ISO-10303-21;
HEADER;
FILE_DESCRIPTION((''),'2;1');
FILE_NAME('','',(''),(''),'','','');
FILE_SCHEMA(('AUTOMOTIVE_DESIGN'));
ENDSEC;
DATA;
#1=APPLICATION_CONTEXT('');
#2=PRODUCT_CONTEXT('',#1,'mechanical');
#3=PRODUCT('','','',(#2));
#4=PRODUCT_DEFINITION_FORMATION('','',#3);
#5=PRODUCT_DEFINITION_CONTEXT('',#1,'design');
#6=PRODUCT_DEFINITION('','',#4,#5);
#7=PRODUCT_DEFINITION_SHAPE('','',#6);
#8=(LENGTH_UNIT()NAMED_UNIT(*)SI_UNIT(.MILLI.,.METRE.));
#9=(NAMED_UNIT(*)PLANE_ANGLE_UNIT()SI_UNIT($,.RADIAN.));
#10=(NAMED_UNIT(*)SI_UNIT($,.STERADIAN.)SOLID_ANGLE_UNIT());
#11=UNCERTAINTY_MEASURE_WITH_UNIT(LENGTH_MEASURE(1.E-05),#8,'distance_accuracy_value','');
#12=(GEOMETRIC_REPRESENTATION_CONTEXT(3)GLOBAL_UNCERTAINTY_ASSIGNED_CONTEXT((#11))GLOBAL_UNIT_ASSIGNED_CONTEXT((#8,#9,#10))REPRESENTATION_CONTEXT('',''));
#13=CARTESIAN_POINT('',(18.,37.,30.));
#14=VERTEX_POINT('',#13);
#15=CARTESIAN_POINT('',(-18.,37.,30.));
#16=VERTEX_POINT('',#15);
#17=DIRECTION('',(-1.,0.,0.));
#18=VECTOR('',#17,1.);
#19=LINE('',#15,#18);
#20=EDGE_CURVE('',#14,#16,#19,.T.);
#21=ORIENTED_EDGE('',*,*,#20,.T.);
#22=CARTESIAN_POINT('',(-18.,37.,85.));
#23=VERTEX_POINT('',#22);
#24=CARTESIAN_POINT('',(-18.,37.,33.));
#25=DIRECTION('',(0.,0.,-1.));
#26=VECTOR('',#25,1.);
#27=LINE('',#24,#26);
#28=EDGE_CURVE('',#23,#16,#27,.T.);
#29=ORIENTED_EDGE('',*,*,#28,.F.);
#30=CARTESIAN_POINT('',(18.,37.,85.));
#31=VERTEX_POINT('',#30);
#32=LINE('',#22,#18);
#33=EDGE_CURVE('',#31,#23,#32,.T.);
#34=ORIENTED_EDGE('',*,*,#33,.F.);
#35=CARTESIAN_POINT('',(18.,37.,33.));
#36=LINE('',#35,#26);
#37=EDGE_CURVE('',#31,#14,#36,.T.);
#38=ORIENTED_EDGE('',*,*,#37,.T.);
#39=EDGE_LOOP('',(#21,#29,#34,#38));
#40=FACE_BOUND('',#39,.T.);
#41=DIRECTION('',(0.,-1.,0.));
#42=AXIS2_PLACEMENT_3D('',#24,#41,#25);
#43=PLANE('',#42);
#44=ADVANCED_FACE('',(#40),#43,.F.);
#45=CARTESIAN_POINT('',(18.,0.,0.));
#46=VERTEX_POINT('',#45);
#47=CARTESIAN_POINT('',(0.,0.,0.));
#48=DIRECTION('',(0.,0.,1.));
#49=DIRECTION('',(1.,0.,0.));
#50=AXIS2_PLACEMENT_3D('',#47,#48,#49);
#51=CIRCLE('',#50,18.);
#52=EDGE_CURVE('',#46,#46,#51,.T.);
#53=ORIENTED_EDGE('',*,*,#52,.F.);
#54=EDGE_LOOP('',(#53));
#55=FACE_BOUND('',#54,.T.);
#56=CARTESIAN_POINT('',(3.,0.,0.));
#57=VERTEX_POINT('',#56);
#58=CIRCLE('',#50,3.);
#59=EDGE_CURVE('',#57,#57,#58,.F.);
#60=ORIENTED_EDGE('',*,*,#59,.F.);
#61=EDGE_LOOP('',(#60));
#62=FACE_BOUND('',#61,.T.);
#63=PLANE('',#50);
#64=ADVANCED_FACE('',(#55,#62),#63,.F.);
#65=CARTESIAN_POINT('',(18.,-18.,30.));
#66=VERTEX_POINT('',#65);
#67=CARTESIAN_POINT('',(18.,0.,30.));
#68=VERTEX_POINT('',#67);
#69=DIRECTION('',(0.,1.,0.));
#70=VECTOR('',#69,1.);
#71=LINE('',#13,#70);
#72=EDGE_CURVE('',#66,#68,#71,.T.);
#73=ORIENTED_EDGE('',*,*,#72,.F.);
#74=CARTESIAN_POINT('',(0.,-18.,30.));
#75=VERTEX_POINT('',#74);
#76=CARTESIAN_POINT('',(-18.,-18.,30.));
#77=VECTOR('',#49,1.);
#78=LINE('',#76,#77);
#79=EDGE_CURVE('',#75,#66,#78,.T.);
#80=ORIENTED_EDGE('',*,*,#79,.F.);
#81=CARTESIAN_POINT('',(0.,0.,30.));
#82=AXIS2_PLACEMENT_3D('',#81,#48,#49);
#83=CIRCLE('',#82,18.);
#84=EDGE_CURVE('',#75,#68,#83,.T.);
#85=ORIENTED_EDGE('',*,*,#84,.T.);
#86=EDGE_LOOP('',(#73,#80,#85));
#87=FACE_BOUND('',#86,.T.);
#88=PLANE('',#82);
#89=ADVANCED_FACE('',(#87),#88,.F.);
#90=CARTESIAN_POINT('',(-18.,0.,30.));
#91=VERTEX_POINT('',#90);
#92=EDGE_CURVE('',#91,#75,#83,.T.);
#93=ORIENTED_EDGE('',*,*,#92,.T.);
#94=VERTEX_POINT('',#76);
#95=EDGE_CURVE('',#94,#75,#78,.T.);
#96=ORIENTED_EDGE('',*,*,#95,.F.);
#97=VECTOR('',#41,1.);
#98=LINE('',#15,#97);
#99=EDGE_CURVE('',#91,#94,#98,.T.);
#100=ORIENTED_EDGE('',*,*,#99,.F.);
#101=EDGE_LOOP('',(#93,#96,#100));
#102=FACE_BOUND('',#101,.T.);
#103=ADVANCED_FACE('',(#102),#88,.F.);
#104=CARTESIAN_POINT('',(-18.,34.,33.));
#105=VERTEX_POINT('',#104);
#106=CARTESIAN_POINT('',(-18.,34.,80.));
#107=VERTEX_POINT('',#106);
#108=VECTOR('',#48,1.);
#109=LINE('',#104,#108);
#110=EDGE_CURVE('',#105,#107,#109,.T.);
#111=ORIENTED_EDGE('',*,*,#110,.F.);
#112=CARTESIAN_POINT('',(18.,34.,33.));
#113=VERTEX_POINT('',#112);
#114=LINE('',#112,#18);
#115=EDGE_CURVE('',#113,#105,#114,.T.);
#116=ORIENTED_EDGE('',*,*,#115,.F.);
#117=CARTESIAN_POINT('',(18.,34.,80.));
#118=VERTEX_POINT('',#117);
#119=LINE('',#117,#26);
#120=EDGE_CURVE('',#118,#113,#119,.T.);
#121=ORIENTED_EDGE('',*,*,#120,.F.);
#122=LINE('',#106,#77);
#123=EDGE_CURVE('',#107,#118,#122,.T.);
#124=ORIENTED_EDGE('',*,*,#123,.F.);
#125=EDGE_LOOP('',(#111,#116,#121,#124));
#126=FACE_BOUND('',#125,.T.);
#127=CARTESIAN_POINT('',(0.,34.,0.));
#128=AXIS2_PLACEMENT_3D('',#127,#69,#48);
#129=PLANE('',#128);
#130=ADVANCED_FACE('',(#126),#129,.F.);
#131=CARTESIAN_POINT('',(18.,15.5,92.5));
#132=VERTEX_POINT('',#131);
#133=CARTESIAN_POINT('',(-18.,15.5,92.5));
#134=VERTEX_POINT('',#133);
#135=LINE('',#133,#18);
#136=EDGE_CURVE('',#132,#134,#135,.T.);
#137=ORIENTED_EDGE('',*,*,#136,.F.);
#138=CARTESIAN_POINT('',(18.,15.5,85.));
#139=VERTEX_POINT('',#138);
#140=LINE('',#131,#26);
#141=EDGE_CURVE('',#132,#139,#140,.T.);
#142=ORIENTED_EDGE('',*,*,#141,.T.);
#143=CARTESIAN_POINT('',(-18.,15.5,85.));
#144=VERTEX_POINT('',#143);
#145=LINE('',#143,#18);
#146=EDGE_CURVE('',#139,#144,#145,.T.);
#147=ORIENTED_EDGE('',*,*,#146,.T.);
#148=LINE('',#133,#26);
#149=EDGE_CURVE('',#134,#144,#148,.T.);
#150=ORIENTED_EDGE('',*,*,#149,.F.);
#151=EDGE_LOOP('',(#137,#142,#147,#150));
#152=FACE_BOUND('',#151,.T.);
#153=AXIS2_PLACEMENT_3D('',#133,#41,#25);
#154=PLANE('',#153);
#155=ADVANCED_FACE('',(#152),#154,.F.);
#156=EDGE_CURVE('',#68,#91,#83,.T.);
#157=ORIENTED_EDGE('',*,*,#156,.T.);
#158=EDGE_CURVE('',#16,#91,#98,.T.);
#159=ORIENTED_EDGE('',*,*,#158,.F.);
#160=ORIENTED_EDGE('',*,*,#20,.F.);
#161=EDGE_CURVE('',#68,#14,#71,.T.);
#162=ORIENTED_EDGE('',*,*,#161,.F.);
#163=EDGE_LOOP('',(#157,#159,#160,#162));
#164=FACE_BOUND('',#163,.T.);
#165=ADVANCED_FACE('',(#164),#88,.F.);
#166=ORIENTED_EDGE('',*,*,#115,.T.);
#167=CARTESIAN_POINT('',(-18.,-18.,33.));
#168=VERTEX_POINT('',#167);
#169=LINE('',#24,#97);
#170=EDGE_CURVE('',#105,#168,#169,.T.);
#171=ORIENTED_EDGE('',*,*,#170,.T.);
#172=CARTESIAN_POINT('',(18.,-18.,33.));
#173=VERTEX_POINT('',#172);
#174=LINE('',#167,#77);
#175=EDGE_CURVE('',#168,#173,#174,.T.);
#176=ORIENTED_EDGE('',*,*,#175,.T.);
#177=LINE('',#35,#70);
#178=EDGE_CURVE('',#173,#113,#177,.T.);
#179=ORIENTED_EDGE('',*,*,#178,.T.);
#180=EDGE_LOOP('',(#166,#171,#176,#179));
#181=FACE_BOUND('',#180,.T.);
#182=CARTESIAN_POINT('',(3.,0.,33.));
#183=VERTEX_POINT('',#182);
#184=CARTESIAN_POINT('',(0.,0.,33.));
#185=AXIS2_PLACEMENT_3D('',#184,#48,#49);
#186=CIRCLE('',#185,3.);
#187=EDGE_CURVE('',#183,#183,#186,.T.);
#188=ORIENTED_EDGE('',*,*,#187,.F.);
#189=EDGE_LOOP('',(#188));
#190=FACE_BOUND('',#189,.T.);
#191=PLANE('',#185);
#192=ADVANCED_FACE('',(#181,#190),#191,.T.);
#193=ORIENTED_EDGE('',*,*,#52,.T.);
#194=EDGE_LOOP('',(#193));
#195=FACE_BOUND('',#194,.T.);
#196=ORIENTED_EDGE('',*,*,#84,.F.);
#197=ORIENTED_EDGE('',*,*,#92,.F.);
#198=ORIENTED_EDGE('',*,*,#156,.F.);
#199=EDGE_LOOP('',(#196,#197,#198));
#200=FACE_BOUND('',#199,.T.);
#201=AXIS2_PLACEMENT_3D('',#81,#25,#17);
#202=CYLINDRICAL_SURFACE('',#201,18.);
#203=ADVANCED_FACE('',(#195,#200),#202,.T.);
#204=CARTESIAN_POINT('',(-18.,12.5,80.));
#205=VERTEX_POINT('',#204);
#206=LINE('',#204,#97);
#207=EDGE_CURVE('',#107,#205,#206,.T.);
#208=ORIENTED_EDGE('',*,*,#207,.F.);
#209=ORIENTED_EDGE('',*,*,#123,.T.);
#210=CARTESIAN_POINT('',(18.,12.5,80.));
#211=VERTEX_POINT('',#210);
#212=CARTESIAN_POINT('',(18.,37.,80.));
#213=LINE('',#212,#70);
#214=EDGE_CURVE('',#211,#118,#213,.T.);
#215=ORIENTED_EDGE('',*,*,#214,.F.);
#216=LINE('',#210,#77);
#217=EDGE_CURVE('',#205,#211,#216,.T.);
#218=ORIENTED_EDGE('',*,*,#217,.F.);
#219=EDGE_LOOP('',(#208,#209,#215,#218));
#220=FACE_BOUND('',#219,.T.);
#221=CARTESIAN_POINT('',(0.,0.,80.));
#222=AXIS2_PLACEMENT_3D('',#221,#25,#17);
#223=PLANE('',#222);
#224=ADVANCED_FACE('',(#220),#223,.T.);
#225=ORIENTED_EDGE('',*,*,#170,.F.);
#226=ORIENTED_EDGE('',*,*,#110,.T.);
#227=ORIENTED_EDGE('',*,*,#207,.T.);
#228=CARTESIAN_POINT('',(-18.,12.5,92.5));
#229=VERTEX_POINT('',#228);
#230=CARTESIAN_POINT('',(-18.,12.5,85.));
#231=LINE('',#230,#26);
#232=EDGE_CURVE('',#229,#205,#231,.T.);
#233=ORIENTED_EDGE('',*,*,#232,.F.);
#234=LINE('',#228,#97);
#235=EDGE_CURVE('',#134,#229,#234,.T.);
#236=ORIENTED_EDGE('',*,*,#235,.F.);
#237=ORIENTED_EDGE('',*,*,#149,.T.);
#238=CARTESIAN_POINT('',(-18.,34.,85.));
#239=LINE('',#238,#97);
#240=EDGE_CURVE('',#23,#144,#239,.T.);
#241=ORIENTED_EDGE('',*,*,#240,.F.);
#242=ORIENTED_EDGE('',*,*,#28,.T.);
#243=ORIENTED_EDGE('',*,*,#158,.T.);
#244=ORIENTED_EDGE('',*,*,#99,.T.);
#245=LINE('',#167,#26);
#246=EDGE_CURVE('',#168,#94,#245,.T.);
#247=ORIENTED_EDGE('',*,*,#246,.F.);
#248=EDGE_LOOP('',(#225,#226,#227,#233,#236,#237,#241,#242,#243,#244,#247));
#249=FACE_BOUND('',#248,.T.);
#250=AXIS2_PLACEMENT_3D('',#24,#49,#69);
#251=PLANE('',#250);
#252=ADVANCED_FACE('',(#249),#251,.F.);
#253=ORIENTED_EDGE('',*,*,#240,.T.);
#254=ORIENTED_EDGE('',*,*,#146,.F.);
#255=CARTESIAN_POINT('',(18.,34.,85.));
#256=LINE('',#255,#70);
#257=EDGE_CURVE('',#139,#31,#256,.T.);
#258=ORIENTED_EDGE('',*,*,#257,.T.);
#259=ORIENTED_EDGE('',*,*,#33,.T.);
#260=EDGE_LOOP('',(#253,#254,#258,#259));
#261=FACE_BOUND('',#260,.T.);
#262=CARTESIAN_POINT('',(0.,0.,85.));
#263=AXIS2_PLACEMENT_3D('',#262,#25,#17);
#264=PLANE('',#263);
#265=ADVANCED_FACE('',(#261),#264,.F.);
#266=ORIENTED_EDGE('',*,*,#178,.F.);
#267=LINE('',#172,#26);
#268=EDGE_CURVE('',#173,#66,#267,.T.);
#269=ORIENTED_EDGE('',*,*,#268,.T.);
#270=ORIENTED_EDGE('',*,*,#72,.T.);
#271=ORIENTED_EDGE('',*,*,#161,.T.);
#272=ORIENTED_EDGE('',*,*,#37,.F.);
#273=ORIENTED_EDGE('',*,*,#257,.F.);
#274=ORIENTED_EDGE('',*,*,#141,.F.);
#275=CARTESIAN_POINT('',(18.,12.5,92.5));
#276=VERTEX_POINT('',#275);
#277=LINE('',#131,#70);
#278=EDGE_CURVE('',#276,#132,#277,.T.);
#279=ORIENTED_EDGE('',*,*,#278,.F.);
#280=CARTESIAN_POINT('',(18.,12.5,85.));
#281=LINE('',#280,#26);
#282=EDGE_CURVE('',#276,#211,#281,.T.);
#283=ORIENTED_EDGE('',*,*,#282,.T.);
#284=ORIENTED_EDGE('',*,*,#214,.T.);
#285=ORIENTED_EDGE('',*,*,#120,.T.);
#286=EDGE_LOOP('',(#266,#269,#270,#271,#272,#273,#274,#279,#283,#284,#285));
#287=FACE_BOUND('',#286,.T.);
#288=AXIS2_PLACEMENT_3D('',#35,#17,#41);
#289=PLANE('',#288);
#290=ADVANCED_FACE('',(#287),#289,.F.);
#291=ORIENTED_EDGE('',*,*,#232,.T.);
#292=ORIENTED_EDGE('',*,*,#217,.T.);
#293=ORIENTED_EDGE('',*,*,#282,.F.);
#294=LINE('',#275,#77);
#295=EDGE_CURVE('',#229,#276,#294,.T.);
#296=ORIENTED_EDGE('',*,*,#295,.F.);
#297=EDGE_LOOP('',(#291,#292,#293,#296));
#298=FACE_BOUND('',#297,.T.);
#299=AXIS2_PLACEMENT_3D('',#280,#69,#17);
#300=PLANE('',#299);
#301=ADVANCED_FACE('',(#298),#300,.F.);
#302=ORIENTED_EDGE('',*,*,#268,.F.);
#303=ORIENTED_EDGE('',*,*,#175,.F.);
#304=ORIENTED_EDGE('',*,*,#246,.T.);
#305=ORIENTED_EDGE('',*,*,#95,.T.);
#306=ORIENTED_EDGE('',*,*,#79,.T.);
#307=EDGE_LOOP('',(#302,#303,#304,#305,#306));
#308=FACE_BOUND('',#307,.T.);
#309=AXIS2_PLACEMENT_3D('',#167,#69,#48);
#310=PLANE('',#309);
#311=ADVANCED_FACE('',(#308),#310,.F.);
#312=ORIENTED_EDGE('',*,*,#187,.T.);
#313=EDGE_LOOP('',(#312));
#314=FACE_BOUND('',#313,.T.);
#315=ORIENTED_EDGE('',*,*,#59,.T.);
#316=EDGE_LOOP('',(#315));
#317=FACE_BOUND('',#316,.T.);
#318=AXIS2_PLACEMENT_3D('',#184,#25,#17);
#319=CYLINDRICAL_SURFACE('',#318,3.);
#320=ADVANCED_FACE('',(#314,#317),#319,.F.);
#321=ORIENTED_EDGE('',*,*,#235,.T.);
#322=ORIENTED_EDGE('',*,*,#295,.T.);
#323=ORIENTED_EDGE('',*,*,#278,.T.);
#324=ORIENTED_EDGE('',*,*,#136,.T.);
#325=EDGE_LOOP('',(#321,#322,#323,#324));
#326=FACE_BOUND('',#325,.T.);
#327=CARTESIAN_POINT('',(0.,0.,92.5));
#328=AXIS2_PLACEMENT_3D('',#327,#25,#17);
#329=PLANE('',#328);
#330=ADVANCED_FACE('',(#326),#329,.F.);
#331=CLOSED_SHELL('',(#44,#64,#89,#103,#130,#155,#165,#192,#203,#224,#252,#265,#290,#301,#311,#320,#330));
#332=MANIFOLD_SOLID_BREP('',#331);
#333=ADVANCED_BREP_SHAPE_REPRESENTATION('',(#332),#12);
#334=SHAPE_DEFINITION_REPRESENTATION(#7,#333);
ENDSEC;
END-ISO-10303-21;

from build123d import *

# Parameters (mm, degrees)
SKETCH2_R               = 18
BOSS_EXTRUDE1_DEPTH     = 30
SKETCH4_W               = 36
SKETCH4_H               = 55
BOSS_EXTRUDE2_DEPTH     = 3
CUT_EXTRUDE1_DEPTH      = 3
CUT_EXTRUDE1_DEPTH_BACK = 60
SKETCH3_R               = 3
SKETCH6_W               = 36
SKETCH6_H               = 47
BOSS_EXTRUDE3_DEPTH     = 3
BOSS_EXTRUDE4_DEPTH     = 5
SKETCH8_W               = 36
SKETCH8_H               = 3
BOSS_EXTRUDE5_DEPTH     = 7.5


with BuildPart() as part:
    # Sketch2 → Boss-Extrude1 (new body)
    with BuildSketch(Plane.XY):
        Circle(SKETCH2_R)
    extrude(amount=BOSS_EXTRUDE1_DEPTH)

    # Sketch4 → Boss-Extrude2 (add)
    with BuildSketch(Plane.XY.offset(30)):
        with Locations((0, 9.5)):
            Rectangle(SKETCH4_W, SKETCH4_H)
    extrude(amount=BOSS_EXTRUDE2_DEPTH)

    # Sketch3 → Cut-Extrude1 (cut, two sides: drawn at the far end of the back side and taken through both)
    with BuildSketch(Plane.XY.offset(30).offset(-CUT_EXTRUDE1_DEPTH_BACK)):
        Circle(SKETCH3_R)
    extrude(amount=CUT_EXTRUDE1_DEPTH + CUT_EXTRUDE1_DEPTH_BACK, mode=Mode.SUBTRACT)

    # Sketch6 → Boss-Extrude3 (add)
    with BuildSketch(Plane(origin=(0, 37, 0), x_dir=(1, 0, 0), z_dir=(0, 1, 0))):
        with Locations((0, -56.5)):
            Rectangle(SKETCH6_W, SKETCH6_H)
    extrude(amount=-BOSS_EXTRUDE3_DEPTH)

    # Sketch7 → Boss-Extrude4 (add)
    with BuildSketch(Plane.XY.offset(80)):
        Polygon((18, 34), (18, 12.5), (-18, 12.5), (-18, 34), (-18, 37), (18, 37), align=None)
    extrude(amount=BOSS_EXTRUDE4_DEPTH)

    # Sketch8 → Boss-Extrude5 (add)
    with BuildSketch(Plane.XY.offset(85)):
        with Locations((0, 14)):
            Rectangle(SKETCH8_W, SKETCH8_H)
    extrude(amount=BOSS_EXTRUDE5_DEPTH)


solid = part.part
